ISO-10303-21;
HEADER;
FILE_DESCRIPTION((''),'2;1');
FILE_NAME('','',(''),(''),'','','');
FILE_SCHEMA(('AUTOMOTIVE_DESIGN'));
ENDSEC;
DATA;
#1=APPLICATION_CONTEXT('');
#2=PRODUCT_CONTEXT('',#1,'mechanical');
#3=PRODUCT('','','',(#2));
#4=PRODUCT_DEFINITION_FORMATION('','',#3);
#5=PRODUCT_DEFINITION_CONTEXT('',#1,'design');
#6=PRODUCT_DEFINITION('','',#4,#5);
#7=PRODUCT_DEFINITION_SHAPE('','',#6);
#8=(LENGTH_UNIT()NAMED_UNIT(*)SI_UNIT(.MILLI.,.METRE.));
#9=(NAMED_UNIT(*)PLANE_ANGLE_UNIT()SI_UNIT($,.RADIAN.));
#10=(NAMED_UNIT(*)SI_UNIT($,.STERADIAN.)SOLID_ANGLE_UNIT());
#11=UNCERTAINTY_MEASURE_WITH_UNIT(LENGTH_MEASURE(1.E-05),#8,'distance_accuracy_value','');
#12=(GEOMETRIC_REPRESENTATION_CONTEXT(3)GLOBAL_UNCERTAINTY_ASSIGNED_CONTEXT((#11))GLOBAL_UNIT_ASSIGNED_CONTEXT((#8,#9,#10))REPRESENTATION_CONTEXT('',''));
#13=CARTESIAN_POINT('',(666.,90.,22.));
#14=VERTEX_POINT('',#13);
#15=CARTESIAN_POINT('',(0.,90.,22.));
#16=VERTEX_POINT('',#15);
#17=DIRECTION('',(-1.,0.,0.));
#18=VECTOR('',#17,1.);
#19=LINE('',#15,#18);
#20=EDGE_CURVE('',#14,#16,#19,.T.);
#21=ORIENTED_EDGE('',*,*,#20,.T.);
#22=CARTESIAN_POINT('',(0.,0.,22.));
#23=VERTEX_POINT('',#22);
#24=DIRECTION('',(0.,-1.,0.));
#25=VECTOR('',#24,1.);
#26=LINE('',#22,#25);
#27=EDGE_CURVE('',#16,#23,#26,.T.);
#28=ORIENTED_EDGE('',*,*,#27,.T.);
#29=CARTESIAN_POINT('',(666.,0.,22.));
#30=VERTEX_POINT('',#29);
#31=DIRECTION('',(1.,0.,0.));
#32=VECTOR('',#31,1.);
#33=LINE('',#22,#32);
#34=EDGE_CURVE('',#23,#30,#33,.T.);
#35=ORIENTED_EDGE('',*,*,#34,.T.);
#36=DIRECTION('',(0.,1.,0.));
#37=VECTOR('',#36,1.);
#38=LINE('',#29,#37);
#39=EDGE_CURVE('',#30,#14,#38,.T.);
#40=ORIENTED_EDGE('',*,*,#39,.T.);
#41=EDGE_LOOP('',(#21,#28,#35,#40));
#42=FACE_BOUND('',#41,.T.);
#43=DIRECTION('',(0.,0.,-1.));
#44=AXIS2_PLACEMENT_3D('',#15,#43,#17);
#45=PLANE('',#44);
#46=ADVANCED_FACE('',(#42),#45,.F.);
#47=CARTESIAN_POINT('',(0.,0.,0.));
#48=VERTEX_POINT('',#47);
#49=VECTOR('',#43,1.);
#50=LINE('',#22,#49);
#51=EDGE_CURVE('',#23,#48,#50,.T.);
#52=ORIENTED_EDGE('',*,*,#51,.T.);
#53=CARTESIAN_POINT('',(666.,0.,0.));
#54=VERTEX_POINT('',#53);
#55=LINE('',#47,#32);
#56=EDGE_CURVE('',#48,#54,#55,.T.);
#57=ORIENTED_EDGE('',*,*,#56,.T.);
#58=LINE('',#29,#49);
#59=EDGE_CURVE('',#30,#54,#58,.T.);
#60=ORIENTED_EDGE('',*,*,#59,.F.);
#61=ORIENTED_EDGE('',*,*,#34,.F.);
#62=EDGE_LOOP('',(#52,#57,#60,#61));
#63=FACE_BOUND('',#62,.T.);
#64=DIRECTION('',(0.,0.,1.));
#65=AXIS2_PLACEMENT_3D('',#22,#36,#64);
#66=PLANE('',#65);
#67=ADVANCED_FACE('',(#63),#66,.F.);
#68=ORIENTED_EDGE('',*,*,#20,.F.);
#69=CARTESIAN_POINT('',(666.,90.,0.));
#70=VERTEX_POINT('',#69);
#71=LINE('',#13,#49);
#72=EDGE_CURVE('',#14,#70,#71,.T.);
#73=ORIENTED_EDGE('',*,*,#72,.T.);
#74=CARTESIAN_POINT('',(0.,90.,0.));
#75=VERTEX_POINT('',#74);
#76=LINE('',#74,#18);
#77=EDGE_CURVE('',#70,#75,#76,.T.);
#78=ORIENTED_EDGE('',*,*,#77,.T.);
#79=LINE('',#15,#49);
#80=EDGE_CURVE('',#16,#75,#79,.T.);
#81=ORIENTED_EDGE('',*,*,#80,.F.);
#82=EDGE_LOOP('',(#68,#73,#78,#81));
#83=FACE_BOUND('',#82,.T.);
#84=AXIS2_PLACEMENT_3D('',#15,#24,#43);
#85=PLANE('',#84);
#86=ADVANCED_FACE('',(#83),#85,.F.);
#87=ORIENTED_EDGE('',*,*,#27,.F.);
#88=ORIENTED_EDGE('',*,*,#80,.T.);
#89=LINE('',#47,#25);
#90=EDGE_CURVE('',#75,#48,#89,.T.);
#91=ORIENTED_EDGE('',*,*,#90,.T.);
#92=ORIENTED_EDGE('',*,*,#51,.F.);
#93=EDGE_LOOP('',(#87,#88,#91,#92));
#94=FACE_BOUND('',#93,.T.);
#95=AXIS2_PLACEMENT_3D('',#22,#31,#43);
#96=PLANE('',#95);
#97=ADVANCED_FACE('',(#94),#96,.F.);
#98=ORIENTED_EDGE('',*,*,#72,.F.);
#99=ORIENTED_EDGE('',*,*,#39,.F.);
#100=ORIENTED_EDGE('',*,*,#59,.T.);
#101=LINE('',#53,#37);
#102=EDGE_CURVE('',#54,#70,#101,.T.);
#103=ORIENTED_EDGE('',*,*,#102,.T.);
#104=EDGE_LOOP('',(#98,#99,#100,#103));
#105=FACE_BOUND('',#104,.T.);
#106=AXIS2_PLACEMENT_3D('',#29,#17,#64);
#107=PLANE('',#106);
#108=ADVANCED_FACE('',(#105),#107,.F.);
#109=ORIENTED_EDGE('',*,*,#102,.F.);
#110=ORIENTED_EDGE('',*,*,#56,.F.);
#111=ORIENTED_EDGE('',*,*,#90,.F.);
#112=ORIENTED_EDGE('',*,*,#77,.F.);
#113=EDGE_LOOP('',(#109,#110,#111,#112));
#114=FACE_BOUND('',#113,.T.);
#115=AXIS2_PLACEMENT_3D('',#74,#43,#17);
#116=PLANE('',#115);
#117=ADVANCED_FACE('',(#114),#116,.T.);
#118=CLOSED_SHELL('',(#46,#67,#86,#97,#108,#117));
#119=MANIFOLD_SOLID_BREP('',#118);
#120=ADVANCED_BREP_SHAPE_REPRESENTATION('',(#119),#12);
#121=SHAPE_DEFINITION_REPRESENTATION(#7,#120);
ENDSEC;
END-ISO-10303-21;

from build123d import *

# Parameters (mm, degrees)
ESQUISSE1_W      = 666
ESQUISSE1_H      = 90
EXTRUSION1_DEPTH = 22


with BuildPart() as part:
    # Esquisse1 → Extrusion1 (new body)
    with BuildSketch(Plane.XY):
        with Locations((333, 45)):
            Rectangle(ESQUISSE1_W, ESQUISSE1_H)
    extrude(amount=EXTRUSION1_DEPTH)


solid = part.part
